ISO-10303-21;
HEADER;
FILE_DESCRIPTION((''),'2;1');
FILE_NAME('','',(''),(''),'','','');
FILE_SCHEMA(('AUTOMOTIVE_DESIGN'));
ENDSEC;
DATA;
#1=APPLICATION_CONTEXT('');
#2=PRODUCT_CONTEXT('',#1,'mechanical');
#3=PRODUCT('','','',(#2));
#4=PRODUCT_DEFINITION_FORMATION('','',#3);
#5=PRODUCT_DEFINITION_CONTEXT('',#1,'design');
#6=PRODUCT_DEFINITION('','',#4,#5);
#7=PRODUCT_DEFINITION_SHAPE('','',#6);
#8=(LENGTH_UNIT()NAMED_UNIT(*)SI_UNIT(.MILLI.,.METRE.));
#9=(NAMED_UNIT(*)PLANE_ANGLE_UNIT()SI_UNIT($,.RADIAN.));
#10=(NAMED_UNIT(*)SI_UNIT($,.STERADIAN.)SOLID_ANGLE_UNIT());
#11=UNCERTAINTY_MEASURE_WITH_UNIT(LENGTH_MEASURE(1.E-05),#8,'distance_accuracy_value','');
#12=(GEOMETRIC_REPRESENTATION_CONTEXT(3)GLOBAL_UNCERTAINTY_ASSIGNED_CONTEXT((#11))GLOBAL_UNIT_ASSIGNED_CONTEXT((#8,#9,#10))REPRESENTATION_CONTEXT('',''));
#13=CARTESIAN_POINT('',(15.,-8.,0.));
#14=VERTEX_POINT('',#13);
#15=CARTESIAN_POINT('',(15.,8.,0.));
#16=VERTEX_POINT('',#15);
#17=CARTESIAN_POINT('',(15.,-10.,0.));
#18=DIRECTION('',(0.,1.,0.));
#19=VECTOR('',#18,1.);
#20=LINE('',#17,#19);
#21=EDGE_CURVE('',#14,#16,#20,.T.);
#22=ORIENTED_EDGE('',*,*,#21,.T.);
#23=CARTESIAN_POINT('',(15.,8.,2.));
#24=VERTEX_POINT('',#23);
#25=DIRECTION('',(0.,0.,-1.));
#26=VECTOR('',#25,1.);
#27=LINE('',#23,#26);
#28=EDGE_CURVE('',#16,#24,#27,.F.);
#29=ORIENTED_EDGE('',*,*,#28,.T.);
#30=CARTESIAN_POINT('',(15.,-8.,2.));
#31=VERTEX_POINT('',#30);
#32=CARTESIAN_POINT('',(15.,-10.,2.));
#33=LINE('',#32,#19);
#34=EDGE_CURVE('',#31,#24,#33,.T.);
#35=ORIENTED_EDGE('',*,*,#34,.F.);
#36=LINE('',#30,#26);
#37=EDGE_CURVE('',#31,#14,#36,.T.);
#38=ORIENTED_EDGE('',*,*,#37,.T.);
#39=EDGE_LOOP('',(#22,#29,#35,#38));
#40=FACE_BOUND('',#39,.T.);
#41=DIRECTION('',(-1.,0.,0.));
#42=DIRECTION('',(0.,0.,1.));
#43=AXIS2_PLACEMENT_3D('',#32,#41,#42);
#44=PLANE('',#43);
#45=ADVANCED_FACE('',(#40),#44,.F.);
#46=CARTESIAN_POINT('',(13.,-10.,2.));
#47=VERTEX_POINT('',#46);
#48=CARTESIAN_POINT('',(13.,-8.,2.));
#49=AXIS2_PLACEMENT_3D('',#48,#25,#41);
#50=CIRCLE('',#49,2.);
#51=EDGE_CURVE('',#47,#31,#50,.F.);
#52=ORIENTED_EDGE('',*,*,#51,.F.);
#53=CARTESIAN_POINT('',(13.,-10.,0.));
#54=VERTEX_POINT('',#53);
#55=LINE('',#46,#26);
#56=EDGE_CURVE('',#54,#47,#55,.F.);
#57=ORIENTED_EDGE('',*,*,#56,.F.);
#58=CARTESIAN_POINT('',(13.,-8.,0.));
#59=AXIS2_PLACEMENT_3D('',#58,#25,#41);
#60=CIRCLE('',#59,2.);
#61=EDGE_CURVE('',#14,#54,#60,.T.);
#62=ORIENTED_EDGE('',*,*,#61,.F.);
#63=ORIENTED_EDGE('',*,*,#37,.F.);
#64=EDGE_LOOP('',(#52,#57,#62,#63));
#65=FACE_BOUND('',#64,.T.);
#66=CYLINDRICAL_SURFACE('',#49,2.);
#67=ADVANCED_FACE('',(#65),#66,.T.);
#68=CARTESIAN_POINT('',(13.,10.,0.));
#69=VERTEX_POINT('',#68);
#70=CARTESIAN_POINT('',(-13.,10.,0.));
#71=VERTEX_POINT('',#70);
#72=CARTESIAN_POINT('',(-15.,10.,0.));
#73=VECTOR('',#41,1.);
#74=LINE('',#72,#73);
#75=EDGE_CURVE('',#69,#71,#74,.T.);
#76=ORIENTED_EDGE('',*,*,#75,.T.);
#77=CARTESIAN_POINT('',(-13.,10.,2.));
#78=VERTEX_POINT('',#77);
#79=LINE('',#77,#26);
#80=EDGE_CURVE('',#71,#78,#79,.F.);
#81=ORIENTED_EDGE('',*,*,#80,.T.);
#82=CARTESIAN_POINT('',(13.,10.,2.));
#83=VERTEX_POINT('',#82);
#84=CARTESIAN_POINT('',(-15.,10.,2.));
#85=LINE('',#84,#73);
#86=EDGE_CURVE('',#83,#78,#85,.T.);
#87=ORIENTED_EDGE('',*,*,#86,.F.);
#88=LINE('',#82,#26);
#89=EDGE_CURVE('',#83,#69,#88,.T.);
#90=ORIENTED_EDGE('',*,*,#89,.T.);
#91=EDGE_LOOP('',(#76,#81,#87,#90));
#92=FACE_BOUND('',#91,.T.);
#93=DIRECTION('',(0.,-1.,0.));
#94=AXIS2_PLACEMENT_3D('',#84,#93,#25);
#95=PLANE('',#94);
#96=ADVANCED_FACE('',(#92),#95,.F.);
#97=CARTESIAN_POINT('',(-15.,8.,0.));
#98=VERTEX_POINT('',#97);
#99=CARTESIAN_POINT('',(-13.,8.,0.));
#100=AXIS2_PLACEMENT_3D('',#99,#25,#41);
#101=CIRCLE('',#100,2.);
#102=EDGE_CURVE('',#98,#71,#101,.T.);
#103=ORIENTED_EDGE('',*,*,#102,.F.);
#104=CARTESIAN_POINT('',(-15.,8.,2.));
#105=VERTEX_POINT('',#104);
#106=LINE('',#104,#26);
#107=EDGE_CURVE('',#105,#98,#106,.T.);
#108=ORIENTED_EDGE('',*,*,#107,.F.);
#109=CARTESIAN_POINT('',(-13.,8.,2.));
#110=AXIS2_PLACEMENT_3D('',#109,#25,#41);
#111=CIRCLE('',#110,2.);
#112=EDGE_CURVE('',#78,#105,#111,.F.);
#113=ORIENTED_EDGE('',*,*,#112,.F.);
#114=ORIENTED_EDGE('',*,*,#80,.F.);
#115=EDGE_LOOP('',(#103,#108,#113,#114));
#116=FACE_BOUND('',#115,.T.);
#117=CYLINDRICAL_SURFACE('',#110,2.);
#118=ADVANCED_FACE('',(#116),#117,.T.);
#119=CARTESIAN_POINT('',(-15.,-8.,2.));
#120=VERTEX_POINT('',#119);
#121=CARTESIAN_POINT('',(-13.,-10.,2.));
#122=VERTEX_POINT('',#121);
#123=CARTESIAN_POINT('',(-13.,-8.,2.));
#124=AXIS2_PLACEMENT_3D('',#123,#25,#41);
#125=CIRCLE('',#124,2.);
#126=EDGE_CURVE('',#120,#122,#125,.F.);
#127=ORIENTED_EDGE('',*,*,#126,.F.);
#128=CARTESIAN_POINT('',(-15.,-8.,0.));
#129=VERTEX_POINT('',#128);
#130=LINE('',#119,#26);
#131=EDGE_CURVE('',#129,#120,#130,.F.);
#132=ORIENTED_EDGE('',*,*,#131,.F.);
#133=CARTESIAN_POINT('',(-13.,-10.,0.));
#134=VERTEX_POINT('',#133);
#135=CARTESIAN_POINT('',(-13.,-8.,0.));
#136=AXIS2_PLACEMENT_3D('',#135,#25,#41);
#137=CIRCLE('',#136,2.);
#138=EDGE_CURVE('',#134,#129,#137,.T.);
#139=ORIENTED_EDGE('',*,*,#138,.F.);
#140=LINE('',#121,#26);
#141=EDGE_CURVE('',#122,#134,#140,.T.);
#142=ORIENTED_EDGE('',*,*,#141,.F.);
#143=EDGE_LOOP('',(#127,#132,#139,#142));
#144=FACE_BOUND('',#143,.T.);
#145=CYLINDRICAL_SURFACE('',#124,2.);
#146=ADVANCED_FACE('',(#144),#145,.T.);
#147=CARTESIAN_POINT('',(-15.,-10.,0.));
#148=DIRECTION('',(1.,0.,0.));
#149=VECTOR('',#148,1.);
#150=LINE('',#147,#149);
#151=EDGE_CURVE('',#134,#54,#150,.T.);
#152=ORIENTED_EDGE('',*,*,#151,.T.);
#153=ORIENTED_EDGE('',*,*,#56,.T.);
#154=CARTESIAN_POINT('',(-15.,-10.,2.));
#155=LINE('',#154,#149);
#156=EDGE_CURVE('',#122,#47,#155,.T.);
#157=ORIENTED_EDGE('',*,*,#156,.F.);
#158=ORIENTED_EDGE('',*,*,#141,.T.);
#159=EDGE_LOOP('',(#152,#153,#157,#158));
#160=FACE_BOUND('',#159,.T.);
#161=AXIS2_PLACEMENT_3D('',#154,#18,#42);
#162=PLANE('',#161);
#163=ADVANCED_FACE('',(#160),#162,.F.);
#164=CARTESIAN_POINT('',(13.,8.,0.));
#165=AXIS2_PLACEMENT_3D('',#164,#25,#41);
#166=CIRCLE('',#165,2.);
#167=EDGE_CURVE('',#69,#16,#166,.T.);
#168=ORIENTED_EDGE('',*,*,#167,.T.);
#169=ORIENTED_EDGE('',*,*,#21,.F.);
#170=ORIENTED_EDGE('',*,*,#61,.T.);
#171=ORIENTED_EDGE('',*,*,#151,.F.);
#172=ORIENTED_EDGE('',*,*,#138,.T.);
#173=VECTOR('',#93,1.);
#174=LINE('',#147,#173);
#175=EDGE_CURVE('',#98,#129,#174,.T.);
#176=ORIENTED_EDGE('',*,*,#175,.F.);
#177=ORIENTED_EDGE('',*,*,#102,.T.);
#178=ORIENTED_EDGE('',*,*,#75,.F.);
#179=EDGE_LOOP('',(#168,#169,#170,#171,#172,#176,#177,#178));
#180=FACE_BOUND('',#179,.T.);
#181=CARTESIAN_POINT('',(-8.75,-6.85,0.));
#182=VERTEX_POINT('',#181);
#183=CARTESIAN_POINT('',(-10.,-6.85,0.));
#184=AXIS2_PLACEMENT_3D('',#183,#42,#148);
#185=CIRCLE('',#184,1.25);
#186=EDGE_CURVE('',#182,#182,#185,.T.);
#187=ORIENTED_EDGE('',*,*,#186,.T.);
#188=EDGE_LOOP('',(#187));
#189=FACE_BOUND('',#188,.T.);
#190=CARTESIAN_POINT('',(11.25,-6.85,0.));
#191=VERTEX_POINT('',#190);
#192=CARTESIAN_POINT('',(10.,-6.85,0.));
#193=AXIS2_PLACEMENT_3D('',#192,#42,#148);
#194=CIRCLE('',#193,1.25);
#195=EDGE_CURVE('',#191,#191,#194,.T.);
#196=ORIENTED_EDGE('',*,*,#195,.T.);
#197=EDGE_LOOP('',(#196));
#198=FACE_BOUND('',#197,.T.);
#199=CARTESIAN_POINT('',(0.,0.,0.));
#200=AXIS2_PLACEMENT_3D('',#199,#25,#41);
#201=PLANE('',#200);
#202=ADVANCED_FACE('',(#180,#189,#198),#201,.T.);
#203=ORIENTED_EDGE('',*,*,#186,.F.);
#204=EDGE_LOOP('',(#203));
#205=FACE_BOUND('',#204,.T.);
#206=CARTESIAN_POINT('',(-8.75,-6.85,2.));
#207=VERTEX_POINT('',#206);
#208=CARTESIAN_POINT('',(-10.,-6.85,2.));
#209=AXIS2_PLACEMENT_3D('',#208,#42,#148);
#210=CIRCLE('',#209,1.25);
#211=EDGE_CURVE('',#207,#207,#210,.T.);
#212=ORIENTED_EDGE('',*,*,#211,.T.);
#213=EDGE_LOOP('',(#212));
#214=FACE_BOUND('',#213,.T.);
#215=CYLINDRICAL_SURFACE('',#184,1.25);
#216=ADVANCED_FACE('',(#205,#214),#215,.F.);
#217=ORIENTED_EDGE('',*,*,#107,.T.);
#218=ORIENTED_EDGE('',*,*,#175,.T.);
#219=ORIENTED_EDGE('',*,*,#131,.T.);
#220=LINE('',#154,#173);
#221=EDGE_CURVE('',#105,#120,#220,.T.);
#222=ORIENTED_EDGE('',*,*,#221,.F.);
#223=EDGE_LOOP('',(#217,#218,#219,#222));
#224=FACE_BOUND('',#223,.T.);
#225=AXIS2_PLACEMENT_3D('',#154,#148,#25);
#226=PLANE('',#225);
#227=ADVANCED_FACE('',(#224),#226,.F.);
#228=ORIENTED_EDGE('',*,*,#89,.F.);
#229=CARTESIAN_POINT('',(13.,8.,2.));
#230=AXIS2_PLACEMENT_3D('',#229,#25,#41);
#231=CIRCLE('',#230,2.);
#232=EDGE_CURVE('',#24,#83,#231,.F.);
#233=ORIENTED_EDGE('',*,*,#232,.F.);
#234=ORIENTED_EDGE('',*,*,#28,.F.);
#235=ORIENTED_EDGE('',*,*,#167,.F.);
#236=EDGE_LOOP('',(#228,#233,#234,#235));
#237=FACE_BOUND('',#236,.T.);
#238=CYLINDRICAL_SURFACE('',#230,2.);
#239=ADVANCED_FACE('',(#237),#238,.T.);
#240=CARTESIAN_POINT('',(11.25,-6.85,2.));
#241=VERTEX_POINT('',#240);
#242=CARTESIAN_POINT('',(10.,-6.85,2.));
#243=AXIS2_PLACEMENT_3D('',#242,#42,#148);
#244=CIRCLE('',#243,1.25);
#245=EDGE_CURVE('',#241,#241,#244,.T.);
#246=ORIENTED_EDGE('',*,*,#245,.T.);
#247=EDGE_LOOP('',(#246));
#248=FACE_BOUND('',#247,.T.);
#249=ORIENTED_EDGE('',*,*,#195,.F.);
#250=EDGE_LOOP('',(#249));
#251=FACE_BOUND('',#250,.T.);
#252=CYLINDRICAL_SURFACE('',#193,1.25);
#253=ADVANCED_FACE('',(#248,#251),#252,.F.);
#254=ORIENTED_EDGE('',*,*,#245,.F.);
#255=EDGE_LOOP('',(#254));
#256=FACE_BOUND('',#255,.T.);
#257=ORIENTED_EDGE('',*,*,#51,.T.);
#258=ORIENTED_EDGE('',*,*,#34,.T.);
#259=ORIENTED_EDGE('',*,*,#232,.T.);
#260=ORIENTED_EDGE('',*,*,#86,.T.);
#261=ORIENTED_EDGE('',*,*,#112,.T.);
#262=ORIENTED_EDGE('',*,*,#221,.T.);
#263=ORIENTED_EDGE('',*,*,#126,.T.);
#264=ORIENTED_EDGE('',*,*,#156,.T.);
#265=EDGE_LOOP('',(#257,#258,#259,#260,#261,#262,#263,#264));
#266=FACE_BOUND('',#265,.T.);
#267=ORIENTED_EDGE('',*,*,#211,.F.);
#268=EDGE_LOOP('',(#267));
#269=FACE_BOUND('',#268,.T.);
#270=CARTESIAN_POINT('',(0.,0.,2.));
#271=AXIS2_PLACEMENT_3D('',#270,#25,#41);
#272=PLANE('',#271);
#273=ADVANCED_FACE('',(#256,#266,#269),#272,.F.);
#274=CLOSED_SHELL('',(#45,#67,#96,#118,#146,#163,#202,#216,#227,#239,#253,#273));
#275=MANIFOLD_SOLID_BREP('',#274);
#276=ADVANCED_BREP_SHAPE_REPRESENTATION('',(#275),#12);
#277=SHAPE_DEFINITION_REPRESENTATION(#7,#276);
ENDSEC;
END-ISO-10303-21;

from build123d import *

# Parameters (mm, degrees)
SKETCH_1_W          = 30
SKETCH_1_H          = 20
EXTRUDE_1_DEPTH     = 2
SKETCH_2_R          = 1.25
CUT_EXTRUDE_1_DEPTH = 2
FILLET_1_R          = 2


with BuildPart() as part:
    # 草图1 → 凸台-拉伸1 (new body)
    with BuildSketch(Plane.XY):
        Rectangle(SKETCH_1_W, SKETCH_1_H)
    extrude(amount=EXTRUDE_1_DEPTH)

    # 草图2 → 切除-拉伸1 (cut)
    with BuildSketch(Plane.XY.offset(2)):
        with Locations((-10, -6.85)):
            Circle(SKETCH_2_R)
        with Locations((10, -6.85)):
            Circle(SKETCH_2_R)
    extrude(amount=-CUT_EXTRUDE_1_DEPTH, mode=Mode.SUBTRACT)

    # 圆角1
    fillet_1_edges = [part.edges().sort_by_distance(p)[0] for p in [
        (15, -10, 1),
        (-15, -10, 1),
        (-15, 10, 1),
        (15, 10, 1),
    ]]
    fillet(fillet_1_edges, radius=FILLET_1_R)


solid = part.part
